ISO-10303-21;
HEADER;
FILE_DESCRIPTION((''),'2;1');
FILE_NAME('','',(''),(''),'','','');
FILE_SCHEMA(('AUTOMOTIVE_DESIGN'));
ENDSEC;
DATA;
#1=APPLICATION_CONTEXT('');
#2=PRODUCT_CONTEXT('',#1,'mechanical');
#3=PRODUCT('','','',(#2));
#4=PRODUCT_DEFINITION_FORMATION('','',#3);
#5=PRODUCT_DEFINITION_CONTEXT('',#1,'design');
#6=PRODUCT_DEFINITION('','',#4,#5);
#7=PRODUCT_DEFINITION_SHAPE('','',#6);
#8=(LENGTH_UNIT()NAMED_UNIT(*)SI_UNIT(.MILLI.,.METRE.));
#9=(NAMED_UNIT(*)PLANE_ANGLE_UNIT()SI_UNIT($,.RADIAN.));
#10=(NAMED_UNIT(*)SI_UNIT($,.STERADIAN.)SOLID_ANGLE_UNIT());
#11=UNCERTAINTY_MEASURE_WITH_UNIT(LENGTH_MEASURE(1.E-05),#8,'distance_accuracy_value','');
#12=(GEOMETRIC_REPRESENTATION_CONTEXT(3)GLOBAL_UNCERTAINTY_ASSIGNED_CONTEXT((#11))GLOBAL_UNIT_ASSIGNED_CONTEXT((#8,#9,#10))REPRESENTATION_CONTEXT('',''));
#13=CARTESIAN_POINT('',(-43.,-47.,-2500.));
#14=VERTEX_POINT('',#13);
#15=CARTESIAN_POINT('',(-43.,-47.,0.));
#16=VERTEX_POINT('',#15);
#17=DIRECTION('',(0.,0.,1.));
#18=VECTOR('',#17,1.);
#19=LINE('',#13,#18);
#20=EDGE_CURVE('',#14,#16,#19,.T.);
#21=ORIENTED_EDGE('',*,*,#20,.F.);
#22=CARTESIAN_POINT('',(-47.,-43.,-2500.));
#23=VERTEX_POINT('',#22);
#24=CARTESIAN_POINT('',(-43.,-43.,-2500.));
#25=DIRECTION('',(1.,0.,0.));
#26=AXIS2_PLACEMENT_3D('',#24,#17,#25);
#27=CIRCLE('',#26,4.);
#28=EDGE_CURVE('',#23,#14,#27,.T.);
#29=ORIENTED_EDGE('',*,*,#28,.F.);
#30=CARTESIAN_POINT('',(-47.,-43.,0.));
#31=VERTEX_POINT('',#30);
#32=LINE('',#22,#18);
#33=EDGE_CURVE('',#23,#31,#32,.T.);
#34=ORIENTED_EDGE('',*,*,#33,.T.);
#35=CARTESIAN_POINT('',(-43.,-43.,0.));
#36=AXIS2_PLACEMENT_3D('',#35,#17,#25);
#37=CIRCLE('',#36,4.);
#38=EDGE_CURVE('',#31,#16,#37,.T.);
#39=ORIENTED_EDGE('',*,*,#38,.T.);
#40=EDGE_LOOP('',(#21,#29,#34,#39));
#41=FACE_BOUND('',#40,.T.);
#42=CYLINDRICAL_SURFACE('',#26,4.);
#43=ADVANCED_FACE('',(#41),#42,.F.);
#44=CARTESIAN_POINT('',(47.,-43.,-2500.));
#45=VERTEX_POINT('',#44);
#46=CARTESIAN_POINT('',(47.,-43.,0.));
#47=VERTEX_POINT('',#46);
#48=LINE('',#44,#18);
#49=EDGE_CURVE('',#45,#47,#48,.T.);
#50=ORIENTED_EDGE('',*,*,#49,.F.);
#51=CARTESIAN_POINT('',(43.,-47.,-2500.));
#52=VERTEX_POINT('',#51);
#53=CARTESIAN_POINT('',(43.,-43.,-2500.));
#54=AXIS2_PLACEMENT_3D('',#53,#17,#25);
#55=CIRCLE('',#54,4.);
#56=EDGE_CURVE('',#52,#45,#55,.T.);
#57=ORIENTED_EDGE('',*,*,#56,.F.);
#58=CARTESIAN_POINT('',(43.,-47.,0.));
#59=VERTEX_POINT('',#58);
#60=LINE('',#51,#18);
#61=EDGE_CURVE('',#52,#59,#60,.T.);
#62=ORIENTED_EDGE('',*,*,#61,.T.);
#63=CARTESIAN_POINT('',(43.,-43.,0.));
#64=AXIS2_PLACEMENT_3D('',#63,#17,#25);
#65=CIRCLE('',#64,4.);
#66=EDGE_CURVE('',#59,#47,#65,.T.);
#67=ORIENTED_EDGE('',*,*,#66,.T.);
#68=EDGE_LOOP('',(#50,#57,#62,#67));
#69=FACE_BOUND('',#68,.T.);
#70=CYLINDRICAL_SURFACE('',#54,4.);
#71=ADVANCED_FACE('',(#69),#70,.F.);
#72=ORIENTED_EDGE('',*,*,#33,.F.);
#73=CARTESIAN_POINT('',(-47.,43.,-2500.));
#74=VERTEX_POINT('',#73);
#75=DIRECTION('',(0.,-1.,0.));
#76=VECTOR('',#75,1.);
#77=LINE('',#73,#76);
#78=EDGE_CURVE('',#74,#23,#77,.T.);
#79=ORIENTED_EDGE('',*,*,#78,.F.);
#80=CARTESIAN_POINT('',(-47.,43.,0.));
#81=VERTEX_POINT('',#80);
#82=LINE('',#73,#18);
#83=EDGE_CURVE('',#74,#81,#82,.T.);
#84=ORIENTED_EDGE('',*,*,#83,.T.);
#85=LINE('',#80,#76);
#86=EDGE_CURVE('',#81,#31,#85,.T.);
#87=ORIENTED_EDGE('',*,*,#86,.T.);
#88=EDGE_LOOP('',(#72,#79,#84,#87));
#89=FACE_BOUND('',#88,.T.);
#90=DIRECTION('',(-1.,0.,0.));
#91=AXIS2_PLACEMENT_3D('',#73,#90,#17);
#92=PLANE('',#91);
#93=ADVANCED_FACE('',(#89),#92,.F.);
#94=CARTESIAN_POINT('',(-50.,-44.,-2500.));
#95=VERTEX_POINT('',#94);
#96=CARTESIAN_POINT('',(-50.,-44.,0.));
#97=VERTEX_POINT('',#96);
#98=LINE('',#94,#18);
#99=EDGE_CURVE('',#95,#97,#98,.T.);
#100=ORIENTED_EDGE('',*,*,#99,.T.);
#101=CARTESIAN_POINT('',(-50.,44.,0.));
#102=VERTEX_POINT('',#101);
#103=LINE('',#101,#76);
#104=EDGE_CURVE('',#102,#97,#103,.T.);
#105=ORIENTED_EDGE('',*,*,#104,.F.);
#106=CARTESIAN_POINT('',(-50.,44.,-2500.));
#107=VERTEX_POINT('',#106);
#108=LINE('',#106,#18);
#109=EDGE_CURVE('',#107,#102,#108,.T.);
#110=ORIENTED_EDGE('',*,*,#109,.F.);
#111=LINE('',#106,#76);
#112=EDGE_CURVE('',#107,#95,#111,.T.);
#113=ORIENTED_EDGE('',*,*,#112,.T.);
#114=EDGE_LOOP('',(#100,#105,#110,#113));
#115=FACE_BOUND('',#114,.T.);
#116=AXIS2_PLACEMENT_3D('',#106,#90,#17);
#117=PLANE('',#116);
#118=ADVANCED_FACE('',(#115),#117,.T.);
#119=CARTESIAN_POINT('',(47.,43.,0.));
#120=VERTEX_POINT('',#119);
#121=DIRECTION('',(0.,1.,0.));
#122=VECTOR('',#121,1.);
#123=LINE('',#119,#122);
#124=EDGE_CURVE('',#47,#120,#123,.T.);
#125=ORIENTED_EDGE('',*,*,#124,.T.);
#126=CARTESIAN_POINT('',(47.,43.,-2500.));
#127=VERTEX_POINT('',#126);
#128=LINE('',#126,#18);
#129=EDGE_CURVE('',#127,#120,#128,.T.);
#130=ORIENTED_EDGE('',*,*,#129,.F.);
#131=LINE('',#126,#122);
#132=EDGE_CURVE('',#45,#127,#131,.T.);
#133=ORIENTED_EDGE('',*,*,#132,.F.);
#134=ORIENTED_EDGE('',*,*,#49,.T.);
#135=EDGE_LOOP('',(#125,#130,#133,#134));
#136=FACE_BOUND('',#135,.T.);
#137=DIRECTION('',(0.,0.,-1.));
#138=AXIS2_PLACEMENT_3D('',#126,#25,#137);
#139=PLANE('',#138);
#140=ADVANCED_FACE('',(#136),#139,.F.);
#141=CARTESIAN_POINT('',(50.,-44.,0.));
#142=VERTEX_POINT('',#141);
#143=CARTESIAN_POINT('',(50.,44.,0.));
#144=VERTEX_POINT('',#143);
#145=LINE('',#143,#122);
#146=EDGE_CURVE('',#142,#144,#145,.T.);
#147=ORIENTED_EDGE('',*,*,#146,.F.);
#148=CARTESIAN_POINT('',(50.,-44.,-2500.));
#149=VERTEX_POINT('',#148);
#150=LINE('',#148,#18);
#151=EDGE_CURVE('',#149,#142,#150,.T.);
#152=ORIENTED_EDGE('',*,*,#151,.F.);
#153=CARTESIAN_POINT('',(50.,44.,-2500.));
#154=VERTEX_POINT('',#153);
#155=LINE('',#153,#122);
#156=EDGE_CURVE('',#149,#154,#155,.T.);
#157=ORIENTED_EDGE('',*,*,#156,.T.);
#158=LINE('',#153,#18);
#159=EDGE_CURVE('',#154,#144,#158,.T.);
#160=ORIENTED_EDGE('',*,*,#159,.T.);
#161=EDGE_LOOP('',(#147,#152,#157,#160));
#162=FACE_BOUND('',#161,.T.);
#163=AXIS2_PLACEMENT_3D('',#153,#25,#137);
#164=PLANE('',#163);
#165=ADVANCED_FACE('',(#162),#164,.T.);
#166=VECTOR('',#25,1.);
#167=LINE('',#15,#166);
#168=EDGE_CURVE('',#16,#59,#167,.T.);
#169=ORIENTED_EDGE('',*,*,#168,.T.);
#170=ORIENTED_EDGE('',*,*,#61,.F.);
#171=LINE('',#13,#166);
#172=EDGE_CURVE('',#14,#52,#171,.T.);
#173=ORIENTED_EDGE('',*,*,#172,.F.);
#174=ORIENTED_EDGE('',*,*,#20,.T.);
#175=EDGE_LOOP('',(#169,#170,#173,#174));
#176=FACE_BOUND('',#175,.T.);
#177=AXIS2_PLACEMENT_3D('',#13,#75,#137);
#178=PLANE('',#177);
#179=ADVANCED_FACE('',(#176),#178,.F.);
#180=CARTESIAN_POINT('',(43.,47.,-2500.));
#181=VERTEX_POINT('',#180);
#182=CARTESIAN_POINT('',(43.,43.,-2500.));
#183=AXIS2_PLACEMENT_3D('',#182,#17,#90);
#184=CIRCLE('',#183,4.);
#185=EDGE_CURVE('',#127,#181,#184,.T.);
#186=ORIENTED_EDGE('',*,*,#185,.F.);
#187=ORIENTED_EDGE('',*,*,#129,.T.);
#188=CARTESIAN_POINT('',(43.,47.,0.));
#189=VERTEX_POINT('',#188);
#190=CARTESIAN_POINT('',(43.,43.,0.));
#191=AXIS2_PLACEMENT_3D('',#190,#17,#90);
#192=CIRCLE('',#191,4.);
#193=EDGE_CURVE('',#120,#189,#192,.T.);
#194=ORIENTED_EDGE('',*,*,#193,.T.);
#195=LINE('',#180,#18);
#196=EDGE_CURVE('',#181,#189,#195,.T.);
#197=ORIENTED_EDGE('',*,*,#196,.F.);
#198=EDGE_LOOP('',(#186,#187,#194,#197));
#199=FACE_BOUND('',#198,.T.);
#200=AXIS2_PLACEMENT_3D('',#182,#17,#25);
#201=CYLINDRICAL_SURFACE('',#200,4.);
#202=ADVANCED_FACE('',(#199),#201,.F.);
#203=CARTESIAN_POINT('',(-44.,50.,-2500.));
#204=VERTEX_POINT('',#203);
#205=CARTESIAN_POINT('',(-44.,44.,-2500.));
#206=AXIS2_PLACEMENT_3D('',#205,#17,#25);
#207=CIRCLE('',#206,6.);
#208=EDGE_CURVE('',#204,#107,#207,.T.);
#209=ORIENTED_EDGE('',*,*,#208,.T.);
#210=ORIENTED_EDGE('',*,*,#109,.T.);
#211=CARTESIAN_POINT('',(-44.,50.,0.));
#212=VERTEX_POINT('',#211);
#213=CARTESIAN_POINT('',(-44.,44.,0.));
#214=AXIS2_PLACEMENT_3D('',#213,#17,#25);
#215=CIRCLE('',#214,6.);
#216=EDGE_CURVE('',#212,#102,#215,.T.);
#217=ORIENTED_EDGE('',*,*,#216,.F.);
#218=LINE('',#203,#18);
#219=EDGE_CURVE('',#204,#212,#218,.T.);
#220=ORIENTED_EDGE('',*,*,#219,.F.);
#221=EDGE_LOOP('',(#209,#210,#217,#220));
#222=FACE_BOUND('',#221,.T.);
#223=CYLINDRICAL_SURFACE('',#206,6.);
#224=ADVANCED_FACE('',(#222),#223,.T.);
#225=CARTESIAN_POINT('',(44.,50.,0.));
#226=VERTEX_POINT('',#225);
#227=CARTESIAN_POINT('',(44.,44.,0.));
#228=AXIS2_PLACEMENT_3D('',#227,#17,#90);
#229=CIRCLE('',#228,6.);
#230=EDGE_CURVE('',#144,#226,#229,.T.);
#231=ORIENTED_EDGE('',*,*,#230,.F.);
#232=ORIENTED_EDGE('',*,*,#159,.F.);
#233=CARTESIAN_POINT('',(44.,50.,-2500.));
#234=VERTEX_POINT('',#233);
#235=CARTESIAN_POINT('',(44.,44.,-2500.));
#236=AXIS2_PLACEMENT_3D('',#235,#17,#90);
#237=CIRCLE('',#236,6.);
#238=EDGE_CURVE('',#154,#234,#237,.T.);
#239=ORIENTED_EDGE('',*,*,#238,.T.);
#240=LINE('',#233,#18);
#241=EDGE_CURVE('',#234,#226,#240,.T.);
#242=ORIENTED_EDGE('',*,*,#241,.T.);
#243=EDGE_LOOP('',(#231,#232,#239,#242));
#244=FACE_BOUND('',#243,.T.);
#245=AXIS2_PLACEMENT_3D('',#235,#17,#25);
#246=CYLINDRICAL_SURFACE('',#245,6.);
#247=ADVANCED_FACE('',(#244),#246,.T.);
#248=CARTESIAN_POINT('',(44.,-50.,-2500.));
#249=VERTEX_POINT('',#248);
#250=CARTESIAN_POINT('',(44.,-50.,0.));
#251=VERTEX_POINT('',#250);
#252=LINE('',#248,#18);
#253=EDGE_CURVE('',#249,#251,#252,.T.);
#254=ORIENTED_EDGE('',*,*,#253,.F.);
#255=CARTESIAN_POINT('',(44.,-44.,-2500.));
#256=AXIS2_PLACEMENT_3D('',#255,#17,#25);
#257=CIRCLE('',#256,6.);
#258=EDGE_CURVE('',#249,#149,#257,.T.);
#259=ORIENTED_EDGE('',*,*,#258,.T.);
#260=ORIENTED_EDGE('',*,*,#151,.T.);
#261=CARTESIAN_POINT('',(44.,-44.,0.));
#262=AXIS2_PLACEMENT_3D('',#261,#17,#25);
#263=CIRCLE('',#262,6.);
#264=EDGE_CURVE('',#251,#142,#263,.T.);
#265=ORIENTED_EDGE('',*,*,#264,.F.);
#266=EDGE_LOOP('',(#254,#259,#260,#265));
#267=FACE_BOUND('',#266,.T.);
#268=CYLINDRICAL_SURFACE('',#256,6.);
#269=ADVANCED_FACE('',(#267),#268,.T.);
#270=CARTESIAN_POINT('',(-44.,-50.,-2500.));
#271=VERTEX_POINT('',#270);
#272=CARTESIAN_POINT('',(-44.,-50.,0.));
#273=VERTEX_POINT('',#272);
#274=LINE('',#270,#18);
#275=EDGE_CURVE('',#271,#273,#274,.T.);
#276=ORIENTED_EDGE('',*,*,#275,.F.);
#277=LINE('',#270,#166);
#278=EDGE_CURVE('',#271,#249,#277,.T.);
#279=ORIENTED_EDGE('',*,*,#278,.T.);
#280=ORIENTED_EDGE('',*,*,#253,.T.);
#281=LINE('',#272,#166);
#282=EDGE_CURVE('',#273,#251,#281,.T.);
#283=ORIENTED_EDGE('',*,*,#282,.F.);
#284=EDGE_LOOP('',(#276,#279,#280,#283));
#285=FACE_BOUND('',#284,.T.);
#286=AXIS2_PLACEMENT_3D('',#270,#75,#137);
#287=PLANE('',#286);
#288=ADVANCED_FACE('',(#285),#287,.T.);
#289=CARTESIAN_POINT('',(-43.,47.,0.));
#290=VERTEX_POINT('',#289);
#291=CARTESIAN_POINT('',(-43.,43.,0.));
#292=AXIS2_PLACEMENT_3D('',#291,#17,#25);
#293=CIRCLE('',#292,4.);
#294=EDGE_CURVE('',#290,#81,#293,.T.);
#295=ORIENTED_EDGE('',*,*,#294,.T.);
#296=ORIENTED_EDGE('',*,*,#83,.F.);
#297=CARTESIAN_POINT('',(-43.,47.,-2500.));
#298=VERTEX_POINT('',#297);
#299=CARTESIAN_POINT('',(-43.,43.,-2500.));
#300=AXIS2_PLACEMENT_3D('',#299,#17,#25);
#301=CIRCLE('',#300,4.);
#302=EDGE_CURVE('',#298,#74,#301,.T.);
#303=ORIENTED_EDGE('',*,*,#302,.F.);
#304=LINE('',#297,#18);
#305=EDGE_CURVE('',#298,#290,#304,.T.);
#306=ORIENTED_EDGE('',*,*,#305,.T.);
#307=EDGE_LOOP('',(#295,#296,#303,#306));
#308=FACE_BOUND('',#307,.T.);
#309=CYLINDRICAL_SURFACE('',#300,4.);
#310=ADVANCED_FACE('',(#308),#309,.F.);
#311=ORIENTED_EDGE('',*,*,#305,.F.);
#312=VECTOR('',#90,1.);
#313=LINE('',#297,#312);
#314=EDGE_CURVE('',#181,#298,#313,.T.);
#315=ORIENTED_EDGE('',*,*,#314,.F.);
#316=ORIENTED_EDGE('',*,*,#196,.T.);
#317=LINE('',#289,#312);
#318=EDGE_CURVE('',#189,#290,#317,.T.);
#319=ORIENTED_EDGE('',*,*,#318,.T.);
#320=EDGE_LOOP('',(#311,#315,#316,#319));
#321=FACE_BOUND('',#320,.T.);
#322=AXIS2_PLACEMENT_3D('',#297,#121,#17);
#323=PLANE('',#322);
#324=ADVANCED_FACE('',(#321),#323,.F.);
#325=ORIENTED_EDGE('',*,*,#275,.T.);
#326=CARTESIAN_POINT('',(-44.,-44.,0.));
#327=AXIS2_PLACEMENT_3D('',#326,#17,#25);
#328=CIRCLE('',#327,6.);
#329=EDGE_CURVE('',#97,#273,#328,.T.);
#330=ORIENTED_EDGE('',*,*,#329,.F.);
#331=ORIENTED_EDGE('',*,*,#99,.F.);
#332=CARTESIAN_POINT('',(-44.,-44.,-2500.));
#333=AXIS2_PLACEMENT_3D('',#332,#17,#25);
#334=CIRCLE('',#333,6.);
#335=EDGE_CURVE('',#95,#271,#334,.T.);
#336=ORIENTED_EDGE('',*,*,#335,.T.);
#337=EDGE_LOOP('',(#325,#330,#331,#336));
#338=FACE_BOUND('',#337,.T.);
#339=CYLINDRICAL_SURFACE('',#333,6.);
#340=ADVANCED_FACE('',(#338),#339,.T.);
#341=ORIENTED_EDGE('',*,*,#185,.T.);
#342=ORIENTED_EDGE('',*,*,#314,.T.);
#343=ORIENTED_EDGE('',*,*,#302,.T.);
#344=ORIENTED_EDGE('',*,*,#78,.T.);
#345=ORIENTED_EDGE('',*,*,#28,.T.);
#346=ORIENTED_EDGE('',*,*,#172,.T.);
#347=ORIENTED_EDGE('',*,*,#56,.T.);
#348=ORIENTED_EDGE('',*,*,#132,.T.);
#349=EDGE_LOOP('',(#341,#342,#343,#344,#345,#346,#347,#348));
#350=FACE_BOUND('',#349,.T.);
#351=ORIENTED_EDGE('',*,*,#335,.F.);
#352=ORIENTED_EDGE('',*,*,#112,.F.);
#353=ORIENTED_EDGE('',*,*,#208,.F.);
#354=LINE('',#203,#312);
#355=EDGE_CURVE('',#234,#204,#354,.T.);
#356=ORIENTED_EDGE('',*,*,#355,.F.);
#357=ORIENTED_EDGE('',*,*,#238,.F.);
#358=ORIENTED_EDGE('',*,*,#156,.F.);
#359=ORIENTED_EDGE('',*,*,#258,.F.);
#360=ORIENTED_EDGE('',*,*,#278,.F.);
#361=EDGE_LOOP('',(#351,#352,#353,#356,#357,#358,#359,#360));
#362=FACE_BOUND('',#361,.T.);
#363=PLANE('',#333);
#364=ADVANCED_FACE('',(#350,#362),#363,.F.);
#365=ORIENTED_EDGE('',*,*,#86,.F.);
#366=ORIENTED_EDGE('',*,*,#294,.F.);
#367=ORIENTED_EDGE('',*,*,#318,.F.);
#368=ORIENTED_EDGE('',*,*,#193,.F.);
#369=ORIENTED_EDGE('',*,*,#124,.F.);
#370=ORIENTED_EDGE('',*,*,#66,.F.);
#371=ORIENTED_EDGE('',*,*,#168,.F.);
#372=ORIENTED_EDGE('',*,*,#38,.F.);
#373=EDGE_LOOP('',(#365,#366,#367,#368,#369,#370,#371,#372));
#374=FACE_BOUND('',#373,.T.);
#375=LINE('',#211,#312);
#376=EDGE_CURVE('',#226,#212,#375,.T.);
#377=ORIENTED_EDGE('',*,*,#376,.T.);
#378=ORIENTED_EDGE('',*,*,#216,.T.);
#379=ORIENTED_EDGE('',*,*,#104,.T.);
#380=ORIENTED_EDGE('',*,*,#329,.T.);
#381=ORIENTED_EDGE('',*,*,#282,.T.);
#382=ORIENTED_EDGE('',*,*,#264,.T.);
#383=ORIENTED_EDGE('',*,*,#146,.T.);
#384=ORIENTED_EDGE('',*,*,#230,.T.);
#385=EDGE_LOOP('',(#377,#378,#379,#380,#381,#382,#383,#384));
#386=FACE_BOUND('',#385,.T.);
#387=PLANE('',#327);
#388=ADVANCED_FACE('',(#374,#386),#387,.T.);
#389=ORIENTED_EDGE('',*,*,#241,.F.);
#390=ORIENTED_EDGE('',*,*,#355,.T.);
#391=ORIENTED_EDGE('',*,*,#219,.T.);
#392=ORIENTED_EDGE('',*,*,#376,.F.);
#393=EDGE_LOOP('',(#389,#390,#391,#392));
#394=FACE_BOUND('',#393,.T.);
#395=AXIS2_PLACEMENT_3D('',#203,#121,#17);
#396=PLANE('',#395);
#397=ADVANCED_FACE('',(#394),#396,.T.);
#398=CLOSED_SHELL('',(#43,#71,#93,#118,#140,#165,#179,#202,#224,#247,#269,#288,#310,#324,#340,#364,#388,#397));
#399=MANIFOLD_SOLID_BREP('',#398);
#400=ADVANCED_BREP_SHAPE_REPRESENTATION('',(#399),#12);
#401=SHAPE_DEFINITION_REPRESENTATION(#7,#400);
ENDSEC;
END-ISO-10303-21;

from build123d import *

# Parameters (mm, degrees)
EXTRUDE_1_DEPTH = 2500


with BuildPart() as part:
    # Эскиз1 → Бобышка-Вытянуть1 (new body)
    with BuildSketch(Plane.XY):
        with BuildLine():
            Line((-44, 50), (44, 50))
            ThreePointArc((44, 50), (48.242640687, 48.242640687), (50, 44))
            Line((50, 44), (50, -44))
            ThreePointArc((50, -44), (48.242640687, -48.242640687), (44, -50))
            Line((44, -50), (-44, -50))
            ThreePointArc((-44, -50), (-48.242640687, -48.242640687), (-50, -44))
            Line((-50, -44), (-50, 44))
            ThreePointArc((-50, 44), (-48.242640687, 48.242640687), (-44, 50))
        make_face()
        with BuildLine():
            Line((-43, 47), (43, 47))
            ThreePointArc((43, 47), (45.828427125, 45.828427125), (47, 43))
            Line((47, 43), (47, -43))
            ThreePointArc((47, -43), (45.828427125, -45.828427125), (43, -47))
            Line((43, -47), (-43, -47))
            ThreePointArc((-43, -47), (-45.828427125, -45.828427125), (-47, -43))
            Line((-47, -43), (-47, 43))
            ThreePointArc((-47, 43), (-45.828427125, 45.828427125), (-43, 47))
        make_face(mode=Mode.SUBTRACT)
    extrude(amount=-EXTRUDE_1_DEPTH)


solid = part.part
